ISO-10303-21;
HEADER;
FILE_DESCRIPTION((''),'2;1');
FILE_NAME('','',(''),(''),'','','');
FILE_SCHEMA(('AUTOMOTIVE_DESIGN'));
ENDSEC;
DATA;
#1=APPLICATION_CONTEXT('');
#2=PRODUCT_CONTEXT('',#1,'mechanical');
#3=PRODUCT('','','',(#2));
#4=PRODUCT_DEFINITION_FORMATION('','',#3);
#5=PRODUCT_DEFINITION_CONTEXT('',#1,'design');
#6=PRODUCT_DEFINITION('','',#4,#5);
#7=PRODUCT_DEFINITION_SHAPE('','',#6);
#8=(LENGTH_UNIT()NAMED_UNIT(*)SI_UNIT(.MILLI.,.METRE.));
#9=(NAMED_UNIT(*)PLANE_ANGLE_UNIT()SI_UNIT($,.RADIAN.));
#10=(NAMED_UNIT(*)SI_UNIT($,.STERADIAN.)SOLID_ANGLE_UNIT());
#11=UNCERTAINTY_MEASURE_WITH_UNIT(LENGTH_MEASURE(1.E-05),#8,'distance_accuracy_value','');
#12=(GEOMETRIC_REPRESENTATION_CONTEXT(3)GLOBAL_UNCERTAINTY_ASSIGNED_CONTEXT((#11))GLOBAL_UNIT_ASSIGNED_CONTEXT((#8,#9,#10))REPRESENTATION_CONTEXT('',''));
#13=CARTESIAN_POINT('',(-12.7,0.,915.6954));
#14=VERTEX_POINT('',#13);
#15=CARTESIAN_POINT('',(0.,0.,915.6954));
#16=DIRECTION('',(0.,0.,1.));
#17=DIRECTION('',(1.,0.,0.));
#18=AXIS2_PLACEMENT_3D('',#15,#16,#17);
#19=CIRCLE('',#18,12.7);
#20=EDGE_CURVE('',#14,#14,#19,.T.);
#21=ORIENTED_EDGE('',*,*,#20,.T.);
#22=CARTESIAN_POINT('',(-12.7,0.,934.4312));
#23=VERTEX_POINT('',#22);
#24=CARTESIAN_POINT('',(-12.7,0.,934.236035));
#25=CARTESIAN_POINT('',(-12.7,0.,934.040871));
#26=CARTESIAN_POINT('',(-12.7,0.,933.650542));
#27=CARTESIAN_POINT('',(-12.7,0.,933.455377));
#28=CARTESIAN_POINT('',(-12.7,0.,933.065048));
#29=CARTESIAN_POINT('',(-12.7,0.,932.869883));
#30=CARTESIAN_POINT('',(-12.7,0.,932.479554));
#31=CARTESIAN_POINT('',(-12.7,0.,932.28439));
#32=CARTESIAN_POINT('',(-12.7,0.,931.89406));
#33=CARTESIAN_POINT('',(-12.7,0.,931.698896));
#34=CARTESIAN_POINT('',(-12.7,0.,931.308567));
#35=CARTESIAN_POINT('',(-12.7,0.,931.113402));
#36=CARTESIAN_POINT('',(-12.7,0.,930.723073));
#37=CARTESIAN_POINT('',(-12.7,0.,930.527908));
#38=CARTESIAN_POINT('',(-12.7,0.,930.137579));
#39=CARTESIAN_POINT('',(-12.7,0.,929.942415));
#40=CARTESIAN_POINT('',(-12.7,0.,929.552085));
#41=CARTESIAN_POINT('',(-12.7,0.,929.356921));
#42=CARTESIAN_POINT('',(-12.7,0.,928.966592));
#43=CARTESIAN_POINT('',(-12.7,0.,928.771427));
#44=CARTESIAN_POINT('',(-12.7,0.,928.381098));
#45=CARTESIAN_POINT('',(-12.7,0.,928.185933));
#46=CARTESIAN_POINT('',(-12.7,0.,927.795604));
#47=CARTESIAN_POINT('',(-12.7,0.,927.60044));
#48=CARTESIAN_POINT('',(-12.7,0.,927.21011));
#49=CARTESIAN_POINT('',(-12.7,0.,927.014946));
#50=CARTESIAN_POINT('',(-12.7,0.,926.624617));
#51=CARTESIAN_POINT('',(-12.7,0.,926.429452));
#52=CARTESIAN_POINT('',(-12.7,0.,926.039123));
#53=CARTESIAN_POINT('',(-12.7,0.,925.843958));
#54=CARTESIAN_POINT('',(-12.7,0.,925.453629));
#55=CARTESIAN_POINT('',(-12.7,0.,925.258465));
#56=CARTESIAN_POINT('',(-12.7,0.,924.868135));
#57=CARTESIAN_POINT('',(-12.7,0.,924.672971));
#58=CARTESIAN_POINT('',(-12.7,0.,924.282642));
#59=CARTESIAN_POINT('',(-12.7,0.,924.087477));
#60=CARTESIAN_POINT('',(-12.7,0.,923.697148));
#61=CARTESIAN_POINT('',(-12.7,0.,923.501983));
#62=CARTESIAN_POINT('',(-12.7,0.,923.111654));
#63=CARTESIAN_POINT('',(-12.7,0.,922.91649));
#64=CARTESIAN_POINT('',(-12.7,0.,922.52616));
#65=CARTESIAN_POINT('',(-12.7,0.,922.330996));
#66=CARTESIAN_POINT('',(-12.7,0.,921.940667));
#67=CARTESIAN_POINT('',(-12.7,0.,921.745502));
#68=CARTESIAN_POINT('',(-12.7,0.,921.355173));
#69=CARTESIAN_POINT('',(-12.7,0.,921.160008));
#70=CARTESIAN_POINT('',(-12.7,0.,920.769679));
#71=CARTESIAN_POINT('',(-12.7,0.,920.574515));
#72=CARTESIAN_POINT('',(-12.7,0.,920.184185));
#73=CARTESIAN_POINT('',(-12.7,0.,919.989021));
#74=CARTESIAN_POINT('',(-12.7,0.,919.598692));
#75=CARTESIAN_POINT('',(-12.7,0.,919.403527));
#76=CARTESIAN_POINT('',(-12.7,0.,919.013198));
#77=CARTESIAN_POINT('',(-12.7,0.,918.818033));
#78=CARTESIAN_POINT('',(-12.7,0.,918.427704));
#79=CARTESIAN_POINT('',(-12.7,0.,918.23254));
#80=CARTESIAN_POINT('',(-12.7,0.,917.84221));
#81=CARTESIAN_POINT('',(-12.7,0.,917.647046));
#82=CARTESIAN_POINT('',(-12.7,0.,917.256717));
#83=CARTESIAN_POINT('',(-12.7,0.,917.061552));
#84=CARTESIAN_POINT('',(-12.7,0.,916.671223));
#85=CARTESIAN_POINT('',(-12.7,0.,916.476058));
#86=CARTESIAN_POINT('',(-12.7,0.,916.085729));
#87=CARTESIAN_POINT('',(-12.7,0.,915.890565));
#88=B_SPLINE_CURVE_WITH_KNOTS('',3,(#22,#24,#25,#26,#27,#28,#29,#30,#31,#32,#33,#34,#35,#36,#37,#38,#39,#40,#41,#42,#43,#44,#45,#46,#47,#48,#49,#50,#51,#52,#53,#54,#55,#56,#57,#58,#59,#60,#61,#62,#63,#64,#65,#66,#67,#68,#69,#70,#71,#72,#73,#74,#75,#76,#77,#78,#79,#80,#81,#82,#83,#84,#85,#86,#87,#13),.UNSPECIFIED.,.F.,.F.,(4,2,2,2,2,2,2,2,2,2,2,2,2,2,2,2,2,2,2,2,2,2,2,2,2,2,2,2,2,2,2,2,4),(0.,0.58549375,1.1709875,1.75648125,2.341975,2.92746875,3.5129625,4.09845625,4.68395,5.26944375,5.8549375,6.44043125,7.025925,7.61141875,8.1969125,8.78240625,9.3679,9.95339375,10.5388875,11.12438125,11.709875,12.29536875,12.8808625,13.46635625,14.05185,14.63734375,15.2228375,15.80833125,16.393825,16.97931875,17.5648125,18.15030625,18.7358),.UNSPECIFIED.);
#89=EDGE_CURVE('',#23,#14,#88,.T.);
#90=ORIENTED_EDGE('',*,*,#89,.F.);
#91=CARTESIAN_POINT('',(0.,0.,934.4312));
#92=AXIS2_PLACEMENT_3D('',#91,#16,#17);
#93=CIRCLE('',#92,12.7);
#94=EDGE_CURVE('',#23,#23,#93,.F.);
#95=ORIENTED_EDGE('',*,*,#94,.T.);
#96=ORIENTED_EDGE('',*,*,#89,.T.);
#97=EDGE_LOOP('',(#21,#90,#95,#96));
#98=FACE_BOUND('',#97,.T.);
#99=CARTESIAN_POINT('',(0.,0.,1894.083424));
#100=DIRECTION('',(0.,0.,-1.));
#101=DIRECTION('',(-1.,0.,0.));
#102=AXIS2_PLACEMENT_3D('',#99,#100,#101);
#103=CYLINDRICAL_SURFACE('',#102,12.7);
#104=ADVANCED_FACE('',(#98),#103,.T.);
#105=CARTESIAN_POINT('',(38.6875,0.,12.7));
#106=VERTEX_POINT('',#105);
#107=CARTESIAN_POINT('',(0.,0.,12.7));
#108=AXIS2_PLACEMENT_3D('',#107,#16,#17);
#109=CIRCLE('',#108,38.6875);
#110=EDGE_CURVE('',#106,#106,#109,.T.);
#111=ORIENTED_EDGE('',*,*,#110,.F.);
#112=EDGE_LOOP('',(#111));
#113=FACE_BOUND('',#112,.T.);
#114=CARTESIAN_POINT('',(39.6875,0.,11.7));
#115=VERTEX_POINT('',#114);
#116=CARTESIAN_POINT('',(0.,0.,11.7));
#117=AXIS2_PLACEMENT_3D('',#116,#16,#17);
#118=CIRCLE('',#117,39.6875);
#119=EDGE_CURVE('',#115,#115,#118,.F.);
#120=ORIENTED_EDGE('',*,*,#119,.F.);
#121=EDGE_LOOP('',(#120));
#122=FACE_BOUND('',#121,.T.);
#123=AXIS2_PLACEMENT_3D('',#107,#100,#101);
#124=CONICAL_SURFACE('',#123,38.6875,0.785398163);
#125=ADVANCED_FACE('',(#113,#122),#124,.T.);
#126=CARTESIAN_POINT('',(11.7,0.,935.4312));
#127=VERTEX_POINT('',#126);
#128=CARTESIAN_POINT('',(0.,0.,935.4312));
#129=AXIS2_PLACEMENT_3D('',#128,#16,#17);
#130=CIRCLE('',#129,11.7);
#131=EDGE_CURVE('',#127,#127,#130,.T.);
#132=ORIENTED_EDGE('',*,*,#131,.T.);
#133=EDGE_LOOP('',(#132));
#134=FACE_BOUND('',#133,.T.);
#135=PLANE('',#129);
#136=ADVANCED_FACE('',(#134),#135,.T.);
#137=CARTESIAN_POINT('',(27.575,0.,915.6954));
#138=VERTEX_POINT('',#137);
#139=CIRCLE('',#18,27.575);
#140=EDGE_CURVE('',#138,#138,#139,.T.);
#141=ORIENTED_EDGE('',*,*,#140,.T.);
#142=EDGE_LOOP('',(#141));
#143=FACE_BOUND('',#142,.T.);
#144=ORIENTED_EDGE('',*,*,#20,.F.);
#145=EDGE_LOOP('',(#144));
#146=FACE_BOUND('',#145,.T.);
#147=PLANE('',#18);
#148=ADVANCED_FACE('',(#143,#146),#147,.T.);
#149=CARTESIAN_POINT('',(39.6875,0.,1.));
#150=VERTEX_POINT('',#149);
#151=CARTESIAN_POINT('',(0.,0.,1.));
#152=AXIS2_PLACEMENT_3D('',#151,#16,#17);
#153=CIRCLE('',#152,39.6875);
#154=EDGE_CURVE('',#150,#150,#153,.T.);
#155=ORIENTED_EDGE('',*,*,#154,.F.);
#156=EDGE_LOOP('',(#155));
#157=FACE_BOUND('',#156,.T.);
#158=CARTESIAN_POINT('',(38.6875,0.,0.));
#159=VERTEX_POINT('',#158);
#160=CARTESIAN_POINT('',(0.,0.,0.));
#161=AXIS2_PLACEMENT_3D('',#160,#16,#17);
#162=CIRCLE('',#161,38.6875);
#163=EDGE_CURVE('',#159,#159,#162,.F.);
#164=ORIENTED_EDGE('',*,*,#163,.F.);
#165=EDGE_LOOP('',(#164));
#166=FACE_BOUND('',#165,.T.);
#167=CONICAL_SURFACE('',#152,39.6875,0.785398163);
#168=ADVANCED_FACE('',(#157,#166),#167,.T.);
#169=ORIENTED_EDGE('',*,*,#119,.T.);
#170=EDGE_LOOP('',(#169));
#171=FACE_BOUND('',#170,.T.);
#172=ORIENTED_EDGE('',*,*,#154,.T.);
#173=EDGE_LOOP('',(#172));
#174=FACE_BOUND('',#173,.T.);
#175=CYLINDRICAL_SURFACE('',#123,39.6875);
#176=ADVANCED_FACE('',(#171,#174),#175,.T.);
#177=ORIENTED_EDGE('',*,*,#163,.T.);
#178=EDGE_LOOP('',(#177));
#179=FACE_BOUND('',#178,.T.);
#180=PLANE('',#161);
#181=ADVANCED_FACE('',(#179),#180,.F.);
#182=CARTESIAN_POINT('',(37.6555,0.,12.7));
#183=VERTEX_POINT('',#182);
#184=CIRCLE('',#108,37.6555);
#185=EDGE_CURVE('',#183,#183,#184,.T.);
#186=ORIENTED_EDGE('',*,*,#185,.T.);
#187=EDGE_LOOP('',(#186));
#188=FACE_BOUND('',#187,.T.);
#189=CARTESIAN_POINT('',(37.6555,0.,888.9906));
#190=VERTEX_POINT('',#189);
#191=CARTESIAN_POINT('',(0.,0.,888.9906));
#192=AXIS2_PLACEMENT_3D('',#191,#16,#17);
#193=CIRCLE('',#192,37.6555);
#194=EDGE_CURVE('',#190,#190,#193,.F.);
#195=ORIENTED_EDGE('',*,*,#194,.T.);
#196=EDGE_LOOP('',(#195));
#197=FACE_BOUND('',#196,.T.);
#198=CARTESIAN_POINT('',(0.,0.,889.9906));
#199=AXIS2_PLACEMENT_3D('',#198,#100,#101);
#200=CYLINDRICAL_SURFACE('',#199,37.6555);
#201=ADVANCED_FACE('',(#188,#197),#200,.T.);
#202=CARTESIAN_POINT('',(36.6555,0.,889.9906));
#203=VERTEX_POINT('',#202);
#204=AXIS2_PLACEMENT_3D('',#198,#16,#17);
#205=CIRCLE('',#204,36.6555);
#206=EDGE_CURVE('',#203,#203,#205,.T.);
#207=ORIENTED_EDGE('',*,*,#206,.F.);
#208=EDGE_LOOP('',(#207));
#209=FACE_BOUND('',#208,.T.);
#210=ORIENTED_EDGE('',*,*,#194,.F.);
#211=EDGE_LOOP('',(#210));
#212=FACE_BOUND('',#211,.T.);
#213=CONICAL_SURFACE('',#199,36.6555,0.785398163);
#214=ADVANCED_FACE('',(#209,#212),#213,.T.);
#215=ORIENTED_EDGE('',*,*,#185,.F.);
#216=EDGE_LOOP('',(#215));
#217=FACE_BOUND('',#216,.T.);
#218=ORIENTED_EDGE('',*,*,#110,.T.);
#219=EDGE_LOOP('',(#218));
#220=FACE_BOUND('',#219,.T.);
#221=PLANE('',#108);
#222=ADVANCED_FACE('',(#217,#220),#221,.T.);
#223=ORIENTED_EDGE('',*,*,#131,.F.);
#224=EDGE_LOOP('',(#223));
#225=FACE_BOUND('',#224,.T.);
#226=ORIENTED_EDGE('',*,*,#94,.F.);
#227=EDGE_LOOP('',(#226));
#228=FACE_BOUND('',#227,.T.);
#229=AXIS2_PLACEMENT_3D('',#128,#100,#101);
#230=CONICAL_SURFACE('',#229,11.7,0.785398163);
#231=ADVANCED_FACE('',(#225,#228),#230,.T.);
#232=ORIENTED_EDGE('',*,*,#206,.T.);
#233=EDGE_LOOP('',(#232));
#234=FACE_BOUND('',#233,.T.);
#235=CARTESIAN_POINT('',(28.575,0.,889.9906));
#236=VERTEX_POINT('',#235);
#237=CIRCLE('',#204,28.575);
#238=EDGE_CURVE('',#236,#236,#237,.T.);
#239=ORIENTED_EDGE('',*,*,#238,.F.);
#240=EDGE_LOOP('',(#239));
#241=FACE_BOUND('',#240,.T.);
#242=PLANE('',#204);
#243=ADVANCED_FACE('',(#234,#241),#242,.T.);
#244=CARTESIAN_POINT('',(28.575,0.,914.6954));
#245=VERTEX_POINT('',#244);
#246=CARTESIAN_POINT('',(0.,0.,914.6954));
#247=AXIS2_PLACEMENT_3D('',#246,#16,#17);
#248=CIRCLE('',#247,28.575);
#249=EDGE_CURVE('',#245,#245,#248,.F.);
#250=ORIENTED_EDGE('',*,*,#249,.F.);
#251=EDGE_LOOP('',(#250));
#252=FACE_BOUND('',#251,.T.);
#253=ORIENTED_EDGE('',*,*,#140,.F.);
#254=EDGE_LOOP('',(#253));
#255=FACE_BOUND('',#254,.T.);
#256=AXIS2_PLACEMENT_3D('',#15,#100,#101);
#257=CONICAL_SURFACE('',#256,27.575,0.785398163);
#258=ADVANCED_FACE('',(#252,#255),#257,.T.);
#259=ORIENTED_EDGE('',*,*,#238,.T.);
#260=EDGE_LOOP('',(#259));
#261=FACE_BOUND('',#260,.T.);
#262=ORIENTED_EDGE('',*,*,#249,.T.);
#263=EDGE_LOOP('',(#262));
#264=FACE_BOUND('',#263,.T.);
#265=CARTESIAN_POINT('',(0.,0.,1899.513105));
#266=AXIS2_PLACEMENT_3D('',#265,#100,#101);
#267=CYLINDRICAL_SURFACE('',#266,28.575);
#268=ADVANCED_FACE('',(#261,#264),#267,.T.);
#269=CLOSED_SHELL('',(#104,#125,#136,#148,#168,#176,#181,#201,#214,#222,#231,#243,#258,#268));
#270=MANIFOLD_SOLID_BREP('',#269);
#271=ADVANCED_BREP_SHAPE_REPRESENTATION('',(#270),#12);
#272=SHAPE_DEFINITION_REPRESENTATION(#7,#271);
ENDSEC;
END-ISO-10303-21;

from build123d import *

# Parameters (mm, degrees)
SKETCH1_R           = 39.6875
BOSS_EXTRUDE1_DEPTH = 12.7
SKETCH2_R           = 37.6555
BOSS_EXTRUDE2_DEPTH = 877.2906
SKETCH3_R           = 28.575
BOSS_EXTRUDE3_DEPTH = 25.7048
SKETCH4_R           = 12.7
BOSS_EXTRUDE4_DEPTH = 19.7358
CHAMFER1_SIZE       = 1


with BuildPart() as part:
    # Sketch1 → Boss-Extrude1 (new body)
    with BuildSketch(Plane.XY):
        Circle(SKETCH1_R)
    extrude(amount=BOSS_EXTRUDE1_DEPTH)

    # Sketch2 → Boss-Extrude2 (add)
    with BuildSketch(Plane.XY.offset(12.7)):
        Circle(SKETCH2_R)
    extrude(amount=BOSS_EXTRUDE2_DEPTH)

    # Sketch3 → Boss-Extrude3 (add)
    with BuildSketch(Plane.XY.offset(889.9906)):
        Circle(SKETCH3_R)
    extrude(amount=BOSS_EXTRUDE3_DEPTH)

    # Sketch4 → Boss-Extrude4 (add)
    with BuildSketch(Plane.XY.offset(915.6954)):
        with Locations(Location((0, 0, 0), (0, 0, 180))):
            Circle(SKETCH4_R)
    extrude(amount=BOSS_EXTRUDE4_DEPTH)

    # Chamfer1
    chamfer1_edges = [part.edges().sort_by_distance(p)[0] for p in [
        (-28.575, 0, 915.6954),
        (12.7, 0, 935.4312),
        (-39.6875, 0, 0),
        (-39.6875, 0, 12.7),
        (-37.6555, 0, 889.9906),
    ]]
    chamfer(chamfer1_edges, length=CHAMFER1_SIZE)


solid = part.part
